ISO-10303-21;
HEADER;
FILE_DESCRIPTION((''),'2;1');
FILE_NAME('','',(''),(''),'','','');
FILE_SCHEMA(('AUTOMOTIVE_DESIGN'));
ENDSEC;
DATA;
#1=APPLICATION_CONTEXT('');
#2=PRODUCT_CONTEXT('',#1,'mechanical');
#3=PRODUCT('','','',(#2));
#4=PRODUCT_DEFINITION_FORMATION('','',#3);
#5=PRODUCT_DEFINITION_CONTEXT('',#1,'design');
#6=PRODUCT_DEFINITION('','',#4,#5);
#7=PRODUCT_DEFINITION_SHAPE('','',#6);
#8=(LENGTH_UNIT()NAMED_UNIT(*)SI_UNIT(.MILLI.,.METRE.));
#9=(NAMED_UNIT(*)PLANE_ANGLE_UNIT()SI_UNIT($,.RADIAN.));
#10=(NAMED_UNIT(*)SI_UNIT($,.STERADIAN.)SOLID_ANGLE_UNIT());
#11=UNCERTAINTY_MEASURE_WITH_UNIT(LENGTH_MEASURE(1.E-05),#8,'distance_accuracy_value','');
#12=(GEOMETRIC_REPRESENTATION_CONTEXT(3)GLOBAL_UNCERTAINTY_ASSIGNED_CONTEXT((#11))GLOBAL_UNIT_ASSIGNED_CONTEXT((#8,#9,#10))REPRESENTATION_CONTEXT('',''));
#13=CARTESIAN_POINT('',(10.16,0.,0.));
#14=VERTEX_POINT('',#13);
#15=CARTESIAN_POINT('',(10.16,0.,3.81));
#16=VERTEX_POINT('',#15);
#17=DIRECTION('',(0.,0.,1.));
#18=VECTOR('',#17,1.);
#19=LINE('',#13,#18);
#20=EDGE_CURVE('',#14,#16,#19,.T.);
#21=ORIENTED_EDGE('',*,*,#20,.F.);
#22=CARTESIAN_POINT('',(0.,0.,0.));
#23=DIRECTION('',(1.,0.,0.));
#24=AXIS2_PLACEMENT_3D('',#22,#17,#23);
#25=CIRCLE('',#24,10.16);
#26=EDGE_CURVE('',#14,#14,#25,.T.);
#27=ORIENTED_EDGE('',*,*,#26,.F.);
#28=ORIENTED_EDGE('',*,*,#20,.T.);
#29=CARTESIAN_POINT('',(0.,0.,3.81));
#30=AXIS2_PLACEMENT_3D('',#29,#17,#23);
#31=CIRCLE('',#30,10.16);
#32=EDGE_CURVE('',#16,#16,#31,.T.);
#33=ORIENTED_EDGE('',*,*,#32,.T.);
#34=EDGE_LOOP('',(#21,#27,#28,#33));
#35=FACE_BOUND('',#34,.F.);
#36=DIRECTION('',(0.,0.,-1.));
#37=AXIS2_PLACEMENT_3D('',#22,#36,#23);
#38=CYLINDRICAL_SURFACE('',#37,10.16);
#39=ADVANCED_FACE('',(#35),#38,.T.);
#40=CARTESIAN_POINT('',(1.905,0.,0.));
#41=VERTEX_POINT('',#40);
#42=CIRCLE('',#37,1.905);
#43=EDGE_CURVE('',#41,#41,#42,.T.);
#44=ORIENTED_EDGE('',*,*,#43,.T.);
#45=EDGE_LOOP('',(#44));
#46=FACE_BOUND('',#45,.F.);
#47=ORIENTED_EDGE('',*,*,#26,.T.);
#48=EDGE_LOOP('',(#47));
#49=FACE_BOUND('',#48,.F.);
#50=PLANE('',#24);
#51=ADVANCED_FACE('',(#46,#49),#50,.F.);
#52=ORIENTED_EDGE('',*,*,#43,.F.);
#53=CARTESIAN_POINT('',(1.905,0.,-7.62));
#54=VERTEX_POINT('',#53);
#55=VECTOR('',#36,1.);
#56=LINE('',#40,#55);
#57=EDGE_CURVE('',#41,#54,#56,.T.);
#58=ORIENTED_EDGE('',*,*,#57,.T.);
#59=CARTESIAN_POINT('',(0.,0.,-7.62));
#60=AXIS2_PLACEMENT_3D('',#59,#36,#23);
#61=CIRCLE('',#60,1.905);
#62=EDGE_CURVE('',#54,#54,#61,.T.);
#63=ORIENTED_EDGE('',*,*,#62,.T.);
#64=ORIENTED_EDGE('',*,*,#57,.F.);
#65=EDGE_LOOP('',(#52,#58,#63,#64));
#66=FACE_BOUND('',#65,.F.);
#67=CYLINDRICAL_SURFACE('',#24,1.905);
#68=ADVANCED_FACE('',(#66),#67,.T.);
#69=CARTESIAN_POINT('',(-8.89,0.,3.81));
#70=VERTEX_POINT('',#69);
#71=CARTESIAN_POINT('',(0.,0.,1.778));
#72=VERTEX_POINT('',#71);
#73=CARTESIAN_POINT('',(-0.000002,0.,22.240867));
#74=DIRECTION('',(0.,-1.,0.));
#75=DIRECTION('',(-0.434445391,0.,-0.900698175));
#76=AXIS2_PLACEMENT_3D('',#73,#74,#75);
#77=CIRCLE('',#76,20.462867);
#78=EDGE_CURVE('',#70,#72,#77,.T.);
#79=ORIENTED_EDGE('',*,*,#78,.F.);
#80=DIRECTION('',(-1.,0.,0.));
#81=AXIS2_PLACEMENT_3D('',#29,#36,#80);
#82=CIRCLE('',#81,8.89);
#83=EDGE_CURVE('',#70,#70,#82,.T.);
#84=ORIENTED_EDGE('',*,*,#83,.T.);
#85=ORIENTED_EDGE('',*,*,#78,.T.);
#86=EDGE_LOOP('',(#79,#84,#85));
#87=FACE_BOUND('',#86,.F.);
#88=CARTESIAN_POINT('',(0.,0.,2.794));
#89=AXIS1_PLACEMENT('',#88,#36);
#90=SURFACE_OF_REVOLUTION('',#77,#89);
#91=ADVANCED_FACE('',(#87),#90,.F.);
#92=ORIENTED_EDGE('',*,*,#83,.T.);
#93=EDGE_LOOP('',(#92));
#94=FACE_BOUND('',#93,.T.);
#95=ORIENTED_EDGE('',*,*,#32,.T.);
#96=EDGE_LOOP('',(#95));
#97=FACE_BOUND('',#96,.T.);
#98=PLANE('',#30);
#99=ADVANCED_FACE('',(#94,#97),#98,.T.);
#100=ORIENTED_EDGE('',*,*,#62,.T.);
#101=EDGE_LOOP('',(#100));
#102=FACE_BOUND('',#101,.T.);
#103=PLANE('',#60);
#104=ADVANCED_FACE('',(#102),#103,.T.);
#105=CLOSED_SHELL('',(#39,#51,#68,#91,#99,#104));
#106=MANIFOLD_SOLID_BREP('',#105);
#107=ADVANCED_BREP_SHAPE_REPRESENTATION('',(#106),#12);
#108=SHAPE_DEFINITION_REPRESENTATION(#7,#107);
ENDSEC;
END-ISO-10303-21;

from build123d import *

# Parameters (mm, degrees)
F0_R     = 10.16
F1_DEPTH = 3.81
F4_R     = 1.905
F5_DEPTH = 7.62


with BuildPart() as f1:
    # F0 (on Top) → F1 (new body)
    with BuildSketch(Plane.XY):
        Circle(F0_R)
    extrude(amount=F1_DEPTH)

    # F2 (on Front) → F3 (revolve, cut)
    with BuildSketch(Plane.XZ):
        with BuildLine():
            Line((0, 3.81), (-8.89, 3.81))
            ThreePointArc((-8.89, 3.81), (-4.559636, 2.292467), (0, 1.778))
            Line((0, 1.778), (0, 3.81))
        make_face()
    revolve(axis=Axis((0, 0, 2.794), (0, 0, -1)), mode=Mode.SUBTRACT)

    # F4 (on face) → F5 (join)
    with BuildSketch(Plane(origin=(0, 0, 0), x_dir=(1, 0, 0), z_dir=(0, 0, -1))):
        Circle(F4_R)
    extrude(amount=F5_DEPTH)


solid = f1.part
